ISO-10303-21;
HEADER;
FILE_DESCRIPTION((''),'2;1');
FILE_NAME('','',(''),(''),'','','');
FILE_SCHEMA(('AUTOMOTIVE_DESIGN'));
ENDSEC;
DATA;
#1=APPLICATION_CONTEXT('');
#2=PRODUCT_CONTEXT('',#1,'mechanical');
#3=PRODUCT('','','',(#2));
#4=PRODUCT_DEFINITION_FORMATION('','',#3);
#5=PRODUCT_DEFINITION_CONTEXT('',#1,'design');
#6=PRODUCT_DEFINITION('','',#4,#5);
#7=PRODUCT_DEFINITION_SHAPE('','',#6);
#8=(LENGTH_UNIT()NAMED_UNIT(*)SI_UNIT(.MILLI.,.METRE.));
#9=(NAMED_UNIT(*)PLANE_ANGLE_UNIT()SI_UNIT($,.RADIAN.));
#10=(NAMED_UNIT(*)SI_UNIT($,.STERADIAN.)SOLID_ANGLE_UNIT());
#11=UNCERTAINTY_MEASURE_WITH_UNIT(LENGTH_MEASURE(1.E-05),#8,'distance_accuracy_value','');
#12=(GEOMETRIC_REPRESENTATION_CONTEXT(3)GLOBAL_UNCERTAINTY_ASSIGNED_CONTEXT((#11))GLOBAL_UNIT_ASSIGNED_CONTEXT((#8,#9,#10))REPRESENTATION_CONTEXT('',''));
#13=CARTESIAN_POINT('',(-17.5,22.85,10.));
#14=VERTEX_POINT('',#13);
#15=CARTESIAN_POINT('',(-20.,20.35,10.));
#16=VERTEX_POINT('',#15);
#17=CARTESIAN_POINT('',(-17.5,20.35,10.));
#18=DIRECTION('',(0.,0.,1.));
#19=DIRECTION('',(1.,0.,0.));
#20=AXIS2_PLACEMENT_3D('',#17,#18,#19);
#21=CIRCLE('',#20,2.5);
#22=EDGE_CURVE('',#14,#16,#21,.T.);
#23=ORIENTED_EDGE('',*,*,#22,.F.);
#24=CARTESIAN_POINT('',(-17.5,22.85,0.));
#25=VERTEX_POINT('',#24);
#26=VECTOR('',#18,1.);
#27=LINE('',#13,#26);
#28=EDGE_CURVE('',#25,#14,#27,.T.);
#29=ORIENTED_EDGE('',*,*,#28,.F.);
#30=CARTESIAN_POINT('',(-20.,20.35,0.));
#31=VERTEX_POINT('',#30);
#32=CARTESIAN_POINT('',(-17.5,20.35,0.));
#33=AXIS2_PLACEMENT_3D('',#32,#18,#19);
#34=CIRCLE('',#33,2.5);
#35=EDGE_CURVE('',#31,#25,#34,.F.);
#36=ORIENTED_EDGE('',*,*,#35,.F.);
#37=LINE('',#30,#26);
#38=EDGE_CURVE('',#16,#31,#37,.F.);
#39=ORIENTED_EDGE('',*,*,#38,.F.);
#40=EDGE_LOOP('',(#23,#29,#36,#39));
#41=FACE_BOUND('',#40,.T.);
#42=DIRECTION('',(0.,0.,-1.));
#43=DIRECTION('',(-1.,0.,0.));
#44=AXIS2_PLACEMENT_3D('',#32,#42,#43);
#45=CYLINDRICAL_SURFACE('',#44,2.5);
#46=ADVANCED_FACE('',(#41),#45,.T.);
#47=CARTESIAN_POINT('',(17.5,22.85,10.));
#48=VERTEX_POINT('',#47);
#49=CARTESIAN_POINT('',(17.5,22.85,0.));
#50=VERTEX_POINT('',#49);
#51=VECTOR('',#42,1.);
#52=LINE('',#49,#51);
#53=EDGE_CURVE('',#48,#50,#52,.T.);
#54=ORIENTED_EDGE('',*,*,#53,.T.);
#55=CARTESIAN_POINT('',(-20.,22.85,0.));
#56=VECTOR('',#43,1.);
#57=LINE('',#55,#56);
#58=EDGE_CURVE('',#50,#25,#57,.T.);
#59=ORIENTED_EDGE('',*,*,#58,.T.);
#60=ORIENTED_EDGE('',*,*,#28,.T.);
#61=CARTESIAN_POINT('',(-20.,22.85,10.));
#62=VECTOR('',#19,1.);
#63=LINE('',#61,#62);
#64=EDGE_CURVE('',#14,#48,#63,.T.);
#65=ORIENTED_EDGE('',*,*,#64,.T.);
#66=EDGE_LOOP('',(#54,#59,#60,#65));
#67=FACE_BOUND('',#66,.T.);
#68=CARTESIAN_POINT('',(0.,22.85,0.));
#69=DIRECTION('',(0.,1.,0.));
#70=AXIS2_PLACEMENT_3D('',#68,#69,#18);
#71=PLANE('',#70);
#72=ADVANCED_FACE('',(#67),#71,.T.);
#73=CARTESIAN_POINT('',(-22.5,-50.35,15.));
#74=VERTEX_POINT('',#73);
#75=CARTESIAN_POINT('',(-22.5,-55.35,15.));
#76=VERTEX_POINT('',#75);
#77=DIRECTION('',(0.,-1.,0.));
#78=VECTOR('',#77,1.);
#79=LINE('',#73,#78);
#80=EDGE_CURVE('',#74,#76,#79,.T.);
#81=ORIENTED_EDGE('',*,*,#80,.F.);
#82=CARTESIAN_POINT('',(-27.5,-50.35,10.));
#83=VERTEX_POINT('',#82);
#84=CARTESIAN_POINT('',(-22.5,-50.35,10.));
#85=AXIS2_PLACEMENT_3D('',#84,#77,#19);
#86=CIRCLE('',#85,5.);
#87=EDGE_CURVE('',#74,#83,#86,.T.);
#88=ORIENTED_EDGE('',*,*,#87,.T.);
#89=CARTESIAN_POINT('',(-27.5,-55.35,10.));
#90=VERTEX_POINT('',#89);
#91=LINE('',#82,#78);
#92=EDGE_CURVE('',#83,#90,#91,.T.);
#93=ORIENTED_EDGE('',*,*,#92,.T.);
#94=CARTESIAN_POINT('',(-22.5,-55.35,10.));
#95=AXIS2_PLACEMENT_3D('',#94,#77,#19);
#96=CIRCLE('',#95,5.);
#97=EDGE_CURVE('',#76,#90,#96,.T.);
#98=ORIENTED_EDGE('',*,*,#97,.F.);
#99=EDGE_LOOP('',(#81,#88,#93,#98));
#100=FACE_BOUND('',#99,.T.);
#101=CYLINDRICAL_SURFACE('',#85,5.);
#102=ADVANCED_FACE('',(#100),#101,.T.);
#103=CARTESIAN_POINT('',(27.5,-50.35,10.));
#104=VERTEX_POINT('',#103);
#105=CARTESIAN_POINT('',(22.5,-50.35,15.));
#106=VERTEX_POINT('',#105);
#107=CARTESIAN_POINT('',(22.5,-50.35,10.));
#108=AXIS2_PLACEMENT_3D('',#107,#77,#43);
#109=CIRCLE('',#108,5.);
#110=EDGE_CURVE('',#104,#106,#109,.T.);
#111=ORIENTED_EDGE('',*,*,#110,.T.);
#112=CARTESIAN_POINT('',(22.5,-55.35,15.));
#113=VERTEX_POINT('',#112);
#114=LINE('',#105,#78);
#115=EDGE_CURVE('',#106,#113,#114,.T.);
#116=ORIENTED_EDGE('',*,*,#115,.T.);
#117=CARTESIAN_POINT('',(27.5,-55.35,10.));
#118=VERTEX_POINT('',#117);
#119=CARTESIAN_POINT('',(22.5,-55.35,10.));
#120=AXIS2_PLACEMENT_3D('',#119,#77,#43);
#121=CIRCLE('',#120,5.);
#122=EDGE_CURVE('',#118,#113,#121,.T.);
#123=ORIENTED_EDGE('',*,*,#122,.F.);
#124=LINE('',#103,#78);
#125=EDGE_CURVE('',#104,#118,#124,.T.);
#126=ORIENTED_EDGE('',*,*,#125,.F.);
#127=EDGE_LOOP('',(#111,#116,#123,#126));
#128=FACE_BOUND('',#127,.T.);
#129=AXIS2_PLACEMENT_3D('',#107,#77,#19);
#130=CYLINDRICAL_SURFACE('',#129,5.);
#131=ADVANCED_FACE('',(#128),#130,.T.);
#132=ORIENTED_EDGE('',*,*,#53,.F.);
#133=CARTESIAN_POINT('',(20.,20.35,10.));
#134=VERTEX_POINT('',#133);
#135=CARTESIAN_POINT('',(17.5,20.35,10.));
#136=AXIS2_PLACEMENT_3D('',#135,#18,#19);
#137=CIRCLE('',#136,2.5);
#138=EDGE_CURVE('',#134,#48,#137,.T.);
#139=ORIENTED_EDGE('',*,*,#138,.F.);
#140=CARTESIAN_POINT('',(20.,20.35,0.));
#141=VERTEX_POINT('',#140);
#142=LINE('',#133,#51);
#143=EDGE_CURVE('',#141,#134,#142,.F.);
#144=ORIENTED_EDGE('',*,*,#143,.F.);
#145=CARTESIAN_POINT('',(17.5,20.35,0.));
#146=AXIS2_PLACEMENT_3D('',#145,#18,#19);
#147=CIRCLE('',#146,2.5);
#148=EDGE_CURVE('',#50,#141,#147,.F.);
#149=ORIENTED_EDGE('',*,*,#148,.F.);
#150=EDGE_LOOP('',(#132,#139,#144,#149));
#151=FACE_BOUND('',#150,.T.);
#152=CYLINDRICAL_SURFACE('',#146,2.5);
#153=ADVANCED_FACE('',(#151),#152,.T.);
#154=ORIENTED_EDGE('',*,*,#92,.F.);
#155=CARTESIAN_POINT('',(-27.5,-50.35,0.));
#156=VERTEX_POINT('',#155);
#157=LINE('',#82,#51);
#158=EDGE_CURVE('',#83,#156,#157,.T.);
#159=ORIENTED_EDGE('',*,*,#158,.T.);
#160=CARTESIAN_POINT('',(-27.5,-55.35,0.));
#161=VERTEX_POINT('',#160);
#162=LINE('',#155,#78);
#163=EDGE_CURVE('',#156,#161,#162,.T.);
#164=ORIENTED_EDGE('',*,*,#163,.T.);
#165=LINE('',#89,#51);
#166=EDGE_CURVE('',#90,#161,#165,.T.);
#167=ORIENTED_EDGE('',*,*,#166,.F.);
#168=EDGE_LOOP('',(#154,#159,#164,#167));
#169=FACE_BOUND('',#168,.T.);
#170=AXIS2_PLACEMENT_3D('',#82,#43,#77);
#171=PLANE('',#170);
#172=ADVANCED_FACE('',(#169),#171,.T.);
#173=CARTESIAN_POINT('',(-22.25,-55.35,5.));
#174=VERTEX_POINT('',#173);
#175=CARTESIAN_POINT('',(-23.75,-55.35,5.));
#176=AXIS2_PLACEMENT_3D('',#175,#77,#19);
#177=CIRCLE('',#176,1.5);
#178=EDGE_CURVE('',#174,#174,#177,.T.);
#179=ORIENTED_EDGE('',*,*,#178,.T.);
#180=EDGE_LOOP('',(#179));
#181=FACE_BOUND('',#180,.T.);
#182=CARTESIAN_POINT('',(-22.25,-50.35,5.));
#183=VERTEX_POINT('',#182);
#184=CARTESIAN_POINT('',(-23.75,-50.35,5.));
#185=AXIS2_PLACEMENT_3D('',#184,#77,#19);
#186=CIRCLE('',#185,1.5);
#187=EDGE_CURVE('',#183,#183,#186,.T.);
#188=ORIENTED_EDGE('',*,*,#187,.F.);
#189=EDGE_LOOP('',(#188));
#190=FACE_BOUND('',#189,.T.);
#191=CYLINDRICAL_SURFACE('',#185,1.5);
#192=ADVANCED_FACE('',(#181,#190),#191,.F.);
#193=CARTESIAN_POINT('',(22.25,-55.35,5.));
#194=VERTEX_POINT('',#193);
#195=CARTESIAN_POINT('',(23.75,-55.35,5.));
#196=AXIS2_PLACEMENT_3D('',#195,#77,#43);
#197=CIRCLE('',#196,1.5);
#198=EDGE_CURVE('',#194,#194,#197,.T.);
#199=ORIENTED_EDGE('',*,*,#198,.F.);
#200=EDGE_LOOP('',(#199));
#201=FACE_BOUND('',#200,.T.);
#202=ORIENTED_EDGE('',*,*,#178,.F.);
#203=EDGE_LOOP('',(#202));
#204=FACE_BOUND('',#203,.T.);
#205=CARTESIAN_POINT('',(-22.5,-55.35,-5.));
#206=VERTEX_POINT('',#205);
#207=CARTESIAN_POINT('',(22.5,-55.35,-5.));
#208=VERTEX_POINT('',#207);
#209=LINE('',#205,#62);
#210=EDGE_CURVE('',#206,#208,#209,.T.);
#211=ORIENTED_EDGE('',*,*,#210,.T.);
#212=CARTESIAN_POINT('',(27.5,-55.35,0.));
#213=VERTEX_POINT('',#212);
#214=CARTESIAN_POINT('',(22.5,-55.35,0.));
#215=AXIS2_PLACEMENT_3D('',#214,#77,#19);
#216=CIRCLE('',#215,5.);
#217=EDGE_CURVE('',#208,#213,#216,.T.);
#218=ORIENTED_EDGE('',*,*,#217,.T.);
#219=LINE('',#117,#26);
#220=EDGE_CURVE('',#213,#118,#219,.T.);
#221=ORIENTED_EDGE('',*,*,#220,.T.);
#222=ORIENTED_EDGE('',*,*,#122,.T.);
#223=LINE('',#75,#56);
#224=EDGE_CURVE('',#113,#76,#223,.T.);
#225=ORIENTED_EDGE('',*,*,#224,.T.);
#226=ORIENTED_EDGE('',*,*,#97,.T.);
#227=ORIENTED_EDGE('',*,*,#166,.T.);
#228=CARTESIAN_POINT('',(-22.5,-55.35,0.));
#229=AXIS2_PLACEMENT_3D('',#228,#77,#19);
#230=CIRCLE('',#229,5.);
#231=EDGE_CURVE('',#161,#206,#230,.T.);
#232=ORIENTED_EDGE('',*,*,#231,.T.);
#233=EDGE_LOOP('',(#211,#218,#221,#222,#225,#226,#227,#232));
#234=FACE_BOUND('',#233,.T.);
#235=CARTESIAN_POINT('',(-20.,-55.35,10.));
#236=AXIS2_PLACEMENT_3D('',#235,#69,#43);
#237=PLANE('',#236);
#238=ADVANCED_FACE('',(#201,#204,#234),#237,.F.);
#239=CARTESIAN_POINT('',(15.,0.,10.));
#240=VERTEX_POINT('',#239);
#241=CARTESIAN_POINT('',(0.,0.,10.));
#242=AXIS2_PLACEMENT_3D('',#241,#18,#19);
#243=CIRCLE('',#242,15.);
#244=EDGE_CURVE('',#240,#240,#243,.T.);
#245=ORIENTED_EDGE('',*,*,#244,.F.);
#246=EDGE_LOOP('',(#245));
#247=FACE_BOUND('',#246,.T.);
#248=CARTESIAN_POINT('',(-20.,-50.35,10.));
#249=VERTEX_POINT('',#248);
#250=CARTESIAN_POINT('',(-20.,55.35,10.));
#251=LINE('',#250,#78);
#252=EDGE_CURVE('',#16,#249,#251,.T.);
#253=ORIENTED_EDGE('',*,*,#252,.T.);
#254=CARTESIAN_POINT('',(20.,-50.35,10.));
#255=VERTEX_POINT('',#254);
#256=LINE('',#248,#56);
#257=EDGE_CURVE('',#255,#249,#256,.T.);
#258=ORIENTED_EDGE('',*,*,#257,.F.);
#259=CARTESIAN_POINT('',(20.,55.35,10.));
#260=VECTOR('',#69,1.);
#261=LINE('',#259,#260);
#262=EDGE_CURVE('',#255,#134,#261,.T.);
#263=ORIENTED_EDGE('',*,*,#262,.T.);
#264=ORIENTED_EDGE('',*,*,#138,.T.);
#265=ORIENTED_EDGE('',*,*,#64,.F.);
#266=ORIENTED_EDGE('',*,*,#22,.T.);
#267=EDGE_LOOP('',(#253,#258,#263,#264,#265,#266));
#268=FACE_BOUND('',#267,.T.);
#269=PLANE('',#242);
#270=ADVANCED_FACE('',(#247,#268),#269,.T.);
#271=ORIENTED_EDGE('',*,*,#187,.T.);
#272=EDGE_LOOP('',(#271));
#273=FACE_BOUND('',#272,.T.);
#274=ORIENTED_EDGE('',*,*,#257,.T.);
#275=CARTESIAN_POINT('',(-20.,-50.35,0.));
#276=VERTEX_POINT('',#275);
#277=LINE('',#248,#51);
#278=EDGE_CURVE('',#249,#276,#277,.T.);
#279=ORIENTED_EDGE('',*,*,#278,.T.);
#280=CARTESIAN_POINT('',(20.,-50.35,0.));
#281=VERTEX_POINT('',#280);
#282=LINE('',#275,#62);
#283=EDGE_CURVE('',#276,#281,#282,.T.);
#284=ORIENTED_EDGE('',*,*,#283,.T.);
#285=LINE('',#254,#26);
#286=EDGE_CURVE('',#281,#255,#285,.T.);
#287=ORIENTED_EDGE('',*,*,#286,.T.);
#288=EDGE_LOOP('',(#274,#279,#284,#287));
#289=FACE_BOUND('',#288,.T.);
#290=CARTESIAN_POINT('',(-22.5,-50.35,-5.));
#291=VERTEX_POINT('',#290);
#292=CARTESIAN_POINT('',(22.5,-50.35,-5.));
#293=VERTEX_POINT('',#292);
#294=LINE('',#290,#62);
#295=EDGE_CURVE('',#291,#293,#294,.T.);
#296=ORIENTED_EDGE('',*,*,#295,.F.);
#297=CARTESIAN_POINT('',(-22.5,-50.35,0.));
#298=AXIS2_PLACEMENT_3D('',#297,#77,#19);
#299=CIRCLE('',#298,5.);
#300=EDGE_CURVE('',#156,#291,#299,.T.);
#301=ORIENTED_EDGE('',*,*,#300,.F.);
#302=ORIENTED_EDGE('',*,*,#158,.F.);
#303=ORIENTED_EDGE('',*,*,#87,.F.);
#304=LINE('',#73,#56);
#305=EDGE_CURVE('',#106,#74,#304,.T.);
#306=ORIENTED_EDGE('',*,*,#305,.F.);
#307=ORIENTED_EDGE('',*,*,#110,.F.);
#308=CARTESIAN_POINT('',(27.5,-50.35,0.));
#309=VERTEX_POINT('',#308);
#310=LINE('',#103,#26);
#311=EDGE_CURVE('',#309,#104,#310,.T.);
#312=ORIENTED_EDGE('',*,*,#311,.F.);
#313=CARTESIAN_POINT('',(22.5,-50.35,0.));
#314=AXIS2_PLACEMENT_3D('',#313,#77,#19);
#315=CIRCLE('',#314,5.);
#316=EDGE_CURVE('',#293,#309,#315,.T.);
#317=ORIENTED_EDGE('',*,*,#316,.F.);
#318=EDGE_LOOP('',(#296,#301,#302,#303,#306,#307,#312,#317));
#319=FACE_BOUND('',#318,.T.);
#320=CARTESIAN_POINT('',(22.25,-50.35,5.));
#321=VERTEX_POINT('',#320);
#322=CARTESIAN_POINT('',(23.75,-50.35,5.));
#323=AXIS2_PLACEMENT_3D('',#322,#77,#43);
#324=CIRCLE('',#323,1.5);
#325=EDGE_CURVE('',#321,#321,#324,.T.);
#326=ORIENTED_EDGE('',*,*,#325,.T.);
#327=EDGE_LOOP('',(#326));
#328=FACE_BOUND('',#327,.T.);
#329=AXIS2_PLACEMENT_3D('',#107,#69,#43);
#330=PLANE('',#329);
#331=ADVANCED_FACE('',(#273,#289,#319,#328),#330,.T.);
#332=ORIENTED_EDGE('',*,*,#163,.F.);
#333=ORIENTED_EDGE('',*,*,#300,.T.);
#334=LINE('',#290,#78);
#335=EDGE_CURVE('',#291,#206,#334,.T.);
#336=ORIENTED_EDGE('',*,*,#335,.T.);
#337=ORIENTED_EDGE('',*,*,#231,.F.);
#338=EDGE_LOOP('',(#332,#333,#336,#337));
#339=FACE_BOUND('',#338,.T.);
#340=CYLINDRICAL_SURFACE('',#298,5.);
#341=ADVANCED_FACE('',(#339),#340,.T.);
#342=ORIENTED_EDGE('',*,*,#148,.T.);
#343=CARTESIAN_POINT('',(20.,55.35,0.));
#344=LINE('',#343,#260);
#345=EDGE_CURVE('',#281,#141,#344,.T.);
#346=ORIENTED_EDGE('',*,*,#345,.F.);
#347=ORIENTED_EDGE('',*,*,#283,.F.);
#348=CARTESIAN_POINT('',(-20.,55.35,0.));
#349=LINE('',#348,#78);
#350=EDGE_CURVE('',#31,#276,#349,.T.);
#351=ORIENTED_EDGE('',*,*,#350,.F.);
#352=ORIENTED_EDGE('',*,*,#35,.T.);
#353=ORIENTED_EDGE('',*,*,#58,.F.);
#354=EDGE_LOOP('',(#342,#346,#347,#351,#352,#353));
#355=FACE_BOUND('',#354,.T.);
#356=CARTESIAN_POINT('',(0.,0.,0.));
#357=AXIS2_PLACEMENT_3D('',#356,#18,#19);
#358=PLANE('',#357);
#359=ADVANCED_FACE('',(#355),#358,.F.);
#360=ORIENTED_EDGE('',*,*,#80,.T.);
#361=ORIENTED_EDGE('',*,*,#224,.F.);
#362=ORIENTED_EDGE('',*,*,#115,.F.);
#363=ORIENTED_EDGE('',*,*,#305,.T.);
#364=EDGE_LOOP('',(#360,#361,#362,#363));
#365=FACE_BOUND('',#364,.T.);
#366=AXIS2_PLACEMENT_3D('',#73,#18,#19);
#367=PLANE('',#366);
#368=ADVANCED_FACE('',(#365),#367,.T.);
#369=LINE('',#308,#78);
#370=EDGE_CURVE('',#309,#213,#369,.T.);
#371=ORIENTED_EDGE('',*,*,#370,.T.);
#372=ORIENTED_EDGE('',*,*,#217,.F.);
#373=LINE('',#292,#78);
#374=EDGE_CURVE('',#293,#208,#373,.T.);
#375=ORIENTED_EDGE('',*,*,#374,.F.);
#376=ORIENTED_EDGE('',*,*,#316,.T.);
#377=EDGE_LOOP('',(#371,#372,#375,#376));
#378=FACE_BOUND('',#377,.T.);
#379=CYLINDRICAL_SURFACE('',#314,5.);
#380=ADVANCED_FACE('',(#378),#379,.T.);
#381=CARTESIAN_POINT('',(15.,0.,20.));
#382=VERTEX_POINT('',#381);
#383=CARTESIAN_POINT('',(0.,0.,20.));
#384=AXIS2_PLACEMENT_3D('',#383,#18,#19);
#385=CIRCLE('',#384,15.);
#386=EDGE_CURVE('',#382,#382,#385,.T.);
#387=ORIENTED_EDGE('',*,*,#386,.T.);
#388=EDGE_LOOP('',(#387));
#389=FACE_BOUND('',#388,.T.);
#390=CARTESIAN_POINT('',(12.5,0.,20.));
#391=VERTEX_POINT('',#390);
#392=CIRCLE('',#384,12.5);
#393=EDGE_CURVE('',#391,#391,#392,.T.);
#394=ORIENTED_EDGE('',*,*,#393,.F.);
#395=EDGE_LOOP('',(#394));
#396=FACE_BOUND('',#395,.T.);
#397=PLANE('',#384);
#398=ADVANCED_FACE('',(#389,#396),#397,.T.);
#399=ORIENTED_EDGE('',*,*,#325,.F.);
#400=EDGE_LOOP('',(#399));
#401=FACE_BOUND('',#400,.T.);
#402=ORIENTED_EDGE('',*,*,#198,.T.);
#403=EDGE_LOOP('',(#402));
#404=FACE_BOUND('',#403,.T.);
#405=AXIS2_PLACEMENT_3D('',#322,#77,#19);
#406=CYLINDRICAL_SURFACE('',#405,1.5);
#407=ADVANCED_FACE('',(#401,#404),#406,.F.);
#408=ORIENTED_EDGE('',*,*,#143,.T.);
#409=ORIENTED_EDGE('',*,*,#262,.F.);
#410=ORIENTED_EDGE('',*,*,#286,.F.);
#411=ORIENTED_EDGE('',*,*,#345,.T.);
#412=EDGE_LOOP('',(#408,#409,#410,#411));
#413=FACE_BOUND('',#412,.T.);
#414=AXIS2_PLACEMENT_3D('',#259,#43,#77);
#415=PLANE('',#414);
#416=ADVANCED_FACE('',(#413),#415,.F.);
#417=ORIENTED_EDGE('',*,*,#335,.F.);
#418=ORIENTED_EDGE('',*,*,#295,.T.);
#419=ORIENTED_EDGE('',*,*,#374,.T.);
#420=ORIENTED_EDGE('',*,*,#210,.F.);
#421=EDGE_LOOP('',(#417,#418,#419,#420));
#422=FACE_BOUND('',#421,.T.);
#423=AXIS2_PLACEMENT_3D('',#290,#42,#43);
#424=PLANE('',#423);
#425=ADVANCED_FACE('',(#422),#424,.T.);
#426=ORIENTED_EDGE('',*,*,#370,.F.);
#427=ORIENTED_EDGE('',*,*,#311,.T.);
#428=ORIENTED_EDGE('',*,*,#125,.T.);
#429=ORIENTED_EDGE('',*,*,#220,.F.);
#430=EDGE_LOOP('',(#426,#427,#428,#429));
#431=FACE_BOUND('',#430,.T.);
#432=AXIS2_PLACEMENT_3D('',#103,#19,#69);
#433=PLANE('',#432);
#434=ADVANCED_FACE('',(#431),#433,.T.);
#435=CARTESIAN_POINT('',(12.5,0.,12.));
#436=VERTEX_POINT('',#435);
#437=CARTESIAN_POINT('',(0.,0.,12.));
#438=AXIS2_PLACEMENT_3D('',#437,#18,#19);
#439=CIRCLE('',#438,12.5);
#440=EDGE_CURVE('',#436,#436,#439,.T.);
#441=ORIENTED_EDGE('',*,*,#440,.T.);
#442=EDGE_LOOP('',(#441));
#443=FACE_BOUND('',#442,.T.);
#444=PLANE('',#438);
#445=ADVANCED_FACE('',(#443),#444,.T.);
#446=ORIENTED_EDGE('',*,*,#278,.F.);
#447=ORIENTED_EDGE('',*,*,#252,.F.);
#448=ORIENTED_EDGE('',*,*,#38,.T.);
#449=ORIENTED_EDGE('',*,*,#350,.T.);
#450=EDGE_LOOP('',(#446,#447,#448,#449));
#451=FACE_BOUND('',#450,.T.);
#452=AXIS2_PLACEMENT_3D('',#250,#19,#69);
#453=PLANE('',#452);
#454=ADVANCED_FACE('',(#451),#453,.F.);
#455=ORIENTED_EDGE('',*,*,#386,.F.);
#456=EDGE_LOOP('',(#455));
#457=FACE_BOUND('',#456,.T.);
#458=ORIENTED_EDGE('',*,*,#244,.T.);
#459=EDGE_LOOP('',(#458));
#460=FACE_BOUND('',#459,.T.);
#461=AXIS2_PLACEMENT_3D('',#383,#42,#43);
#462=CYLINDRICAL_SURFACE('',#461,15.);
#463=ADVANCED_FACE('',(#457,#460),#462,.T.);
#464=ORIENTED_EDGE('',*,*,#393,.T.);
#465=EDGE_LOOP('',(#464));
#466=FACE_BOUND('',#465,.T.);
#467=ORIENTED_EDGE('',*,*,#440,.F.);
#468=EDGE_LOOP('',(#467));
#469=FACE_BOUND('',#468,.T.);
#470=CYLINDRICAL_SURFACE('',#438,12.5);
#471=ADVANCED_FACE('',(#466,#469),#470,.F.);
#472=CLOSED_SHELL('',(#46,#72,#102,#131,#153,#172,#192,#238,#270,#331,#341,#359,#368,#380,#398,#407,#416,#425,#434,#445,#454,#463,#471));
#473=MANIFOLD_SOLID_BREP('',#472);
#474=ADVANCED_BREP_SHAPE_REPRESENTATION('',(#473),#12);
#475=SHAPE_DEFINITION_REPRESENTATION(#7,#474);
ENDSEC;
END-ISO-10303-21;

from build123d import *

# Parameters (mm, degrees)
SKETCH1_W           = 40
SKETCH1_H           = 110.7
BOSS_EXTRUDE1_DEPTH = 10
SKETCH4_R           = 15
BOSS_EXTRUDE3_DEPTH = 10
SKETCH5_R           = 12.5
CUT_EXTRUDE2_DEPTH  = 8
SKETCH6_W           = 40
SKETCH6_H           = 10
CUT_EXTRUDE3_DEPTH  = 32.5
FILLET4_R           = 2.5
SKETCH11_R          = 1.5
SKETCH11_W          = 40
SKETCH11_H          = 10
BOSS_EXTRUDE4_DEPTH = 5


with BuildPart() as part:
    # Sketch1 → Boss-Extrude1 (new body)
    with BuildSketch(Plane.XY):
        Rectangle(SKETCH1_W, SKETCH1_H)
    extrude(amount=BOSS_EXTRUDE1_DEPTH)

    # Sketch4 → Boss-Extrude3 (add)
    with BuildSketch(Plane.XY.offset(10)):
        Circle(SKETCH4_R)
    extrude(amount=BOSS_EXTRUDE3_DEPTH)

    # Sketch5 → Cut-Extrude2 (cut)
    with BuildSketch(Plane.XY.offset(20)):
        Circle(SKETCH5_R)
    extrude(amount=-CUT_EXTRUDE2_DEPTH, mode=Mode.SUBTRACT)

    # Sketch6 → Cut-Extrude3 (cut)
    with BuildSketch(Plane(origin=(0, 55.35, 0), x_dir=(1, 0, 0), z_dir=(0, 1, 0))):
        with Locations((0, -5)):
            Rectangle(SKETCH6_W, SKETCH6_H)
    extrude(amount=-CUT_EXTRUDE3_DEPTH, mode=Mode.SUBTRACT)

    # Fillet4
    fillet4_edges = [part.edges().sort_by_distance(p)[0] for p in [
        (-20, 22.85, 5),
        (20, 22.85, 5),
    ]]
    fillet(fillet4_edges, radius=FILLET4_R)

    # Sketch11 → Boss-Extrude4 (add)
    with BuildSketch(Plane.XZ.offset(55.35)):
        with BuildLine():
            Line((-22.5, 15), (22.5, 15))
            ThreePointArc((22.5, 15), (26.035533906, 13.535533906), (27.5, 10))
            Line((27.5, 10), (27.5, 0))
            ThreePointArc((27.5, 0), (26.035533906, -3.535533906), (22.5, -5))
            Line((22.5, -5), (-22.5, -5))
            ThreePointArc((-22.5, -5), (-26.035533906, -3.535533906), (-27.5, 0))
            Line((-27.5, 0), (-27.5, 10))
            ThreePointArc((-27.5, 10), (-26.035533906, 13.535533906), (-22.5, 15))
        make_face()
        with Locations((-23.75, 5)):
            Circle(SKETCH11_R, mode=Mode.SUBTRACT)
        with Locations(Location((23.75, 5, 0), (0, 0, 180))):
            Circle(SKETCH11_R, mode=Mode.SUBTRACT)
        with Locations((0, 5)):
            Rectangle(SKETCH11_W, SKETCH11_H, mode=Mode.SUBTRACT)
    extrude(amount=-BOSS_EXTRUDE4_DEPTH)


solid = part.part
